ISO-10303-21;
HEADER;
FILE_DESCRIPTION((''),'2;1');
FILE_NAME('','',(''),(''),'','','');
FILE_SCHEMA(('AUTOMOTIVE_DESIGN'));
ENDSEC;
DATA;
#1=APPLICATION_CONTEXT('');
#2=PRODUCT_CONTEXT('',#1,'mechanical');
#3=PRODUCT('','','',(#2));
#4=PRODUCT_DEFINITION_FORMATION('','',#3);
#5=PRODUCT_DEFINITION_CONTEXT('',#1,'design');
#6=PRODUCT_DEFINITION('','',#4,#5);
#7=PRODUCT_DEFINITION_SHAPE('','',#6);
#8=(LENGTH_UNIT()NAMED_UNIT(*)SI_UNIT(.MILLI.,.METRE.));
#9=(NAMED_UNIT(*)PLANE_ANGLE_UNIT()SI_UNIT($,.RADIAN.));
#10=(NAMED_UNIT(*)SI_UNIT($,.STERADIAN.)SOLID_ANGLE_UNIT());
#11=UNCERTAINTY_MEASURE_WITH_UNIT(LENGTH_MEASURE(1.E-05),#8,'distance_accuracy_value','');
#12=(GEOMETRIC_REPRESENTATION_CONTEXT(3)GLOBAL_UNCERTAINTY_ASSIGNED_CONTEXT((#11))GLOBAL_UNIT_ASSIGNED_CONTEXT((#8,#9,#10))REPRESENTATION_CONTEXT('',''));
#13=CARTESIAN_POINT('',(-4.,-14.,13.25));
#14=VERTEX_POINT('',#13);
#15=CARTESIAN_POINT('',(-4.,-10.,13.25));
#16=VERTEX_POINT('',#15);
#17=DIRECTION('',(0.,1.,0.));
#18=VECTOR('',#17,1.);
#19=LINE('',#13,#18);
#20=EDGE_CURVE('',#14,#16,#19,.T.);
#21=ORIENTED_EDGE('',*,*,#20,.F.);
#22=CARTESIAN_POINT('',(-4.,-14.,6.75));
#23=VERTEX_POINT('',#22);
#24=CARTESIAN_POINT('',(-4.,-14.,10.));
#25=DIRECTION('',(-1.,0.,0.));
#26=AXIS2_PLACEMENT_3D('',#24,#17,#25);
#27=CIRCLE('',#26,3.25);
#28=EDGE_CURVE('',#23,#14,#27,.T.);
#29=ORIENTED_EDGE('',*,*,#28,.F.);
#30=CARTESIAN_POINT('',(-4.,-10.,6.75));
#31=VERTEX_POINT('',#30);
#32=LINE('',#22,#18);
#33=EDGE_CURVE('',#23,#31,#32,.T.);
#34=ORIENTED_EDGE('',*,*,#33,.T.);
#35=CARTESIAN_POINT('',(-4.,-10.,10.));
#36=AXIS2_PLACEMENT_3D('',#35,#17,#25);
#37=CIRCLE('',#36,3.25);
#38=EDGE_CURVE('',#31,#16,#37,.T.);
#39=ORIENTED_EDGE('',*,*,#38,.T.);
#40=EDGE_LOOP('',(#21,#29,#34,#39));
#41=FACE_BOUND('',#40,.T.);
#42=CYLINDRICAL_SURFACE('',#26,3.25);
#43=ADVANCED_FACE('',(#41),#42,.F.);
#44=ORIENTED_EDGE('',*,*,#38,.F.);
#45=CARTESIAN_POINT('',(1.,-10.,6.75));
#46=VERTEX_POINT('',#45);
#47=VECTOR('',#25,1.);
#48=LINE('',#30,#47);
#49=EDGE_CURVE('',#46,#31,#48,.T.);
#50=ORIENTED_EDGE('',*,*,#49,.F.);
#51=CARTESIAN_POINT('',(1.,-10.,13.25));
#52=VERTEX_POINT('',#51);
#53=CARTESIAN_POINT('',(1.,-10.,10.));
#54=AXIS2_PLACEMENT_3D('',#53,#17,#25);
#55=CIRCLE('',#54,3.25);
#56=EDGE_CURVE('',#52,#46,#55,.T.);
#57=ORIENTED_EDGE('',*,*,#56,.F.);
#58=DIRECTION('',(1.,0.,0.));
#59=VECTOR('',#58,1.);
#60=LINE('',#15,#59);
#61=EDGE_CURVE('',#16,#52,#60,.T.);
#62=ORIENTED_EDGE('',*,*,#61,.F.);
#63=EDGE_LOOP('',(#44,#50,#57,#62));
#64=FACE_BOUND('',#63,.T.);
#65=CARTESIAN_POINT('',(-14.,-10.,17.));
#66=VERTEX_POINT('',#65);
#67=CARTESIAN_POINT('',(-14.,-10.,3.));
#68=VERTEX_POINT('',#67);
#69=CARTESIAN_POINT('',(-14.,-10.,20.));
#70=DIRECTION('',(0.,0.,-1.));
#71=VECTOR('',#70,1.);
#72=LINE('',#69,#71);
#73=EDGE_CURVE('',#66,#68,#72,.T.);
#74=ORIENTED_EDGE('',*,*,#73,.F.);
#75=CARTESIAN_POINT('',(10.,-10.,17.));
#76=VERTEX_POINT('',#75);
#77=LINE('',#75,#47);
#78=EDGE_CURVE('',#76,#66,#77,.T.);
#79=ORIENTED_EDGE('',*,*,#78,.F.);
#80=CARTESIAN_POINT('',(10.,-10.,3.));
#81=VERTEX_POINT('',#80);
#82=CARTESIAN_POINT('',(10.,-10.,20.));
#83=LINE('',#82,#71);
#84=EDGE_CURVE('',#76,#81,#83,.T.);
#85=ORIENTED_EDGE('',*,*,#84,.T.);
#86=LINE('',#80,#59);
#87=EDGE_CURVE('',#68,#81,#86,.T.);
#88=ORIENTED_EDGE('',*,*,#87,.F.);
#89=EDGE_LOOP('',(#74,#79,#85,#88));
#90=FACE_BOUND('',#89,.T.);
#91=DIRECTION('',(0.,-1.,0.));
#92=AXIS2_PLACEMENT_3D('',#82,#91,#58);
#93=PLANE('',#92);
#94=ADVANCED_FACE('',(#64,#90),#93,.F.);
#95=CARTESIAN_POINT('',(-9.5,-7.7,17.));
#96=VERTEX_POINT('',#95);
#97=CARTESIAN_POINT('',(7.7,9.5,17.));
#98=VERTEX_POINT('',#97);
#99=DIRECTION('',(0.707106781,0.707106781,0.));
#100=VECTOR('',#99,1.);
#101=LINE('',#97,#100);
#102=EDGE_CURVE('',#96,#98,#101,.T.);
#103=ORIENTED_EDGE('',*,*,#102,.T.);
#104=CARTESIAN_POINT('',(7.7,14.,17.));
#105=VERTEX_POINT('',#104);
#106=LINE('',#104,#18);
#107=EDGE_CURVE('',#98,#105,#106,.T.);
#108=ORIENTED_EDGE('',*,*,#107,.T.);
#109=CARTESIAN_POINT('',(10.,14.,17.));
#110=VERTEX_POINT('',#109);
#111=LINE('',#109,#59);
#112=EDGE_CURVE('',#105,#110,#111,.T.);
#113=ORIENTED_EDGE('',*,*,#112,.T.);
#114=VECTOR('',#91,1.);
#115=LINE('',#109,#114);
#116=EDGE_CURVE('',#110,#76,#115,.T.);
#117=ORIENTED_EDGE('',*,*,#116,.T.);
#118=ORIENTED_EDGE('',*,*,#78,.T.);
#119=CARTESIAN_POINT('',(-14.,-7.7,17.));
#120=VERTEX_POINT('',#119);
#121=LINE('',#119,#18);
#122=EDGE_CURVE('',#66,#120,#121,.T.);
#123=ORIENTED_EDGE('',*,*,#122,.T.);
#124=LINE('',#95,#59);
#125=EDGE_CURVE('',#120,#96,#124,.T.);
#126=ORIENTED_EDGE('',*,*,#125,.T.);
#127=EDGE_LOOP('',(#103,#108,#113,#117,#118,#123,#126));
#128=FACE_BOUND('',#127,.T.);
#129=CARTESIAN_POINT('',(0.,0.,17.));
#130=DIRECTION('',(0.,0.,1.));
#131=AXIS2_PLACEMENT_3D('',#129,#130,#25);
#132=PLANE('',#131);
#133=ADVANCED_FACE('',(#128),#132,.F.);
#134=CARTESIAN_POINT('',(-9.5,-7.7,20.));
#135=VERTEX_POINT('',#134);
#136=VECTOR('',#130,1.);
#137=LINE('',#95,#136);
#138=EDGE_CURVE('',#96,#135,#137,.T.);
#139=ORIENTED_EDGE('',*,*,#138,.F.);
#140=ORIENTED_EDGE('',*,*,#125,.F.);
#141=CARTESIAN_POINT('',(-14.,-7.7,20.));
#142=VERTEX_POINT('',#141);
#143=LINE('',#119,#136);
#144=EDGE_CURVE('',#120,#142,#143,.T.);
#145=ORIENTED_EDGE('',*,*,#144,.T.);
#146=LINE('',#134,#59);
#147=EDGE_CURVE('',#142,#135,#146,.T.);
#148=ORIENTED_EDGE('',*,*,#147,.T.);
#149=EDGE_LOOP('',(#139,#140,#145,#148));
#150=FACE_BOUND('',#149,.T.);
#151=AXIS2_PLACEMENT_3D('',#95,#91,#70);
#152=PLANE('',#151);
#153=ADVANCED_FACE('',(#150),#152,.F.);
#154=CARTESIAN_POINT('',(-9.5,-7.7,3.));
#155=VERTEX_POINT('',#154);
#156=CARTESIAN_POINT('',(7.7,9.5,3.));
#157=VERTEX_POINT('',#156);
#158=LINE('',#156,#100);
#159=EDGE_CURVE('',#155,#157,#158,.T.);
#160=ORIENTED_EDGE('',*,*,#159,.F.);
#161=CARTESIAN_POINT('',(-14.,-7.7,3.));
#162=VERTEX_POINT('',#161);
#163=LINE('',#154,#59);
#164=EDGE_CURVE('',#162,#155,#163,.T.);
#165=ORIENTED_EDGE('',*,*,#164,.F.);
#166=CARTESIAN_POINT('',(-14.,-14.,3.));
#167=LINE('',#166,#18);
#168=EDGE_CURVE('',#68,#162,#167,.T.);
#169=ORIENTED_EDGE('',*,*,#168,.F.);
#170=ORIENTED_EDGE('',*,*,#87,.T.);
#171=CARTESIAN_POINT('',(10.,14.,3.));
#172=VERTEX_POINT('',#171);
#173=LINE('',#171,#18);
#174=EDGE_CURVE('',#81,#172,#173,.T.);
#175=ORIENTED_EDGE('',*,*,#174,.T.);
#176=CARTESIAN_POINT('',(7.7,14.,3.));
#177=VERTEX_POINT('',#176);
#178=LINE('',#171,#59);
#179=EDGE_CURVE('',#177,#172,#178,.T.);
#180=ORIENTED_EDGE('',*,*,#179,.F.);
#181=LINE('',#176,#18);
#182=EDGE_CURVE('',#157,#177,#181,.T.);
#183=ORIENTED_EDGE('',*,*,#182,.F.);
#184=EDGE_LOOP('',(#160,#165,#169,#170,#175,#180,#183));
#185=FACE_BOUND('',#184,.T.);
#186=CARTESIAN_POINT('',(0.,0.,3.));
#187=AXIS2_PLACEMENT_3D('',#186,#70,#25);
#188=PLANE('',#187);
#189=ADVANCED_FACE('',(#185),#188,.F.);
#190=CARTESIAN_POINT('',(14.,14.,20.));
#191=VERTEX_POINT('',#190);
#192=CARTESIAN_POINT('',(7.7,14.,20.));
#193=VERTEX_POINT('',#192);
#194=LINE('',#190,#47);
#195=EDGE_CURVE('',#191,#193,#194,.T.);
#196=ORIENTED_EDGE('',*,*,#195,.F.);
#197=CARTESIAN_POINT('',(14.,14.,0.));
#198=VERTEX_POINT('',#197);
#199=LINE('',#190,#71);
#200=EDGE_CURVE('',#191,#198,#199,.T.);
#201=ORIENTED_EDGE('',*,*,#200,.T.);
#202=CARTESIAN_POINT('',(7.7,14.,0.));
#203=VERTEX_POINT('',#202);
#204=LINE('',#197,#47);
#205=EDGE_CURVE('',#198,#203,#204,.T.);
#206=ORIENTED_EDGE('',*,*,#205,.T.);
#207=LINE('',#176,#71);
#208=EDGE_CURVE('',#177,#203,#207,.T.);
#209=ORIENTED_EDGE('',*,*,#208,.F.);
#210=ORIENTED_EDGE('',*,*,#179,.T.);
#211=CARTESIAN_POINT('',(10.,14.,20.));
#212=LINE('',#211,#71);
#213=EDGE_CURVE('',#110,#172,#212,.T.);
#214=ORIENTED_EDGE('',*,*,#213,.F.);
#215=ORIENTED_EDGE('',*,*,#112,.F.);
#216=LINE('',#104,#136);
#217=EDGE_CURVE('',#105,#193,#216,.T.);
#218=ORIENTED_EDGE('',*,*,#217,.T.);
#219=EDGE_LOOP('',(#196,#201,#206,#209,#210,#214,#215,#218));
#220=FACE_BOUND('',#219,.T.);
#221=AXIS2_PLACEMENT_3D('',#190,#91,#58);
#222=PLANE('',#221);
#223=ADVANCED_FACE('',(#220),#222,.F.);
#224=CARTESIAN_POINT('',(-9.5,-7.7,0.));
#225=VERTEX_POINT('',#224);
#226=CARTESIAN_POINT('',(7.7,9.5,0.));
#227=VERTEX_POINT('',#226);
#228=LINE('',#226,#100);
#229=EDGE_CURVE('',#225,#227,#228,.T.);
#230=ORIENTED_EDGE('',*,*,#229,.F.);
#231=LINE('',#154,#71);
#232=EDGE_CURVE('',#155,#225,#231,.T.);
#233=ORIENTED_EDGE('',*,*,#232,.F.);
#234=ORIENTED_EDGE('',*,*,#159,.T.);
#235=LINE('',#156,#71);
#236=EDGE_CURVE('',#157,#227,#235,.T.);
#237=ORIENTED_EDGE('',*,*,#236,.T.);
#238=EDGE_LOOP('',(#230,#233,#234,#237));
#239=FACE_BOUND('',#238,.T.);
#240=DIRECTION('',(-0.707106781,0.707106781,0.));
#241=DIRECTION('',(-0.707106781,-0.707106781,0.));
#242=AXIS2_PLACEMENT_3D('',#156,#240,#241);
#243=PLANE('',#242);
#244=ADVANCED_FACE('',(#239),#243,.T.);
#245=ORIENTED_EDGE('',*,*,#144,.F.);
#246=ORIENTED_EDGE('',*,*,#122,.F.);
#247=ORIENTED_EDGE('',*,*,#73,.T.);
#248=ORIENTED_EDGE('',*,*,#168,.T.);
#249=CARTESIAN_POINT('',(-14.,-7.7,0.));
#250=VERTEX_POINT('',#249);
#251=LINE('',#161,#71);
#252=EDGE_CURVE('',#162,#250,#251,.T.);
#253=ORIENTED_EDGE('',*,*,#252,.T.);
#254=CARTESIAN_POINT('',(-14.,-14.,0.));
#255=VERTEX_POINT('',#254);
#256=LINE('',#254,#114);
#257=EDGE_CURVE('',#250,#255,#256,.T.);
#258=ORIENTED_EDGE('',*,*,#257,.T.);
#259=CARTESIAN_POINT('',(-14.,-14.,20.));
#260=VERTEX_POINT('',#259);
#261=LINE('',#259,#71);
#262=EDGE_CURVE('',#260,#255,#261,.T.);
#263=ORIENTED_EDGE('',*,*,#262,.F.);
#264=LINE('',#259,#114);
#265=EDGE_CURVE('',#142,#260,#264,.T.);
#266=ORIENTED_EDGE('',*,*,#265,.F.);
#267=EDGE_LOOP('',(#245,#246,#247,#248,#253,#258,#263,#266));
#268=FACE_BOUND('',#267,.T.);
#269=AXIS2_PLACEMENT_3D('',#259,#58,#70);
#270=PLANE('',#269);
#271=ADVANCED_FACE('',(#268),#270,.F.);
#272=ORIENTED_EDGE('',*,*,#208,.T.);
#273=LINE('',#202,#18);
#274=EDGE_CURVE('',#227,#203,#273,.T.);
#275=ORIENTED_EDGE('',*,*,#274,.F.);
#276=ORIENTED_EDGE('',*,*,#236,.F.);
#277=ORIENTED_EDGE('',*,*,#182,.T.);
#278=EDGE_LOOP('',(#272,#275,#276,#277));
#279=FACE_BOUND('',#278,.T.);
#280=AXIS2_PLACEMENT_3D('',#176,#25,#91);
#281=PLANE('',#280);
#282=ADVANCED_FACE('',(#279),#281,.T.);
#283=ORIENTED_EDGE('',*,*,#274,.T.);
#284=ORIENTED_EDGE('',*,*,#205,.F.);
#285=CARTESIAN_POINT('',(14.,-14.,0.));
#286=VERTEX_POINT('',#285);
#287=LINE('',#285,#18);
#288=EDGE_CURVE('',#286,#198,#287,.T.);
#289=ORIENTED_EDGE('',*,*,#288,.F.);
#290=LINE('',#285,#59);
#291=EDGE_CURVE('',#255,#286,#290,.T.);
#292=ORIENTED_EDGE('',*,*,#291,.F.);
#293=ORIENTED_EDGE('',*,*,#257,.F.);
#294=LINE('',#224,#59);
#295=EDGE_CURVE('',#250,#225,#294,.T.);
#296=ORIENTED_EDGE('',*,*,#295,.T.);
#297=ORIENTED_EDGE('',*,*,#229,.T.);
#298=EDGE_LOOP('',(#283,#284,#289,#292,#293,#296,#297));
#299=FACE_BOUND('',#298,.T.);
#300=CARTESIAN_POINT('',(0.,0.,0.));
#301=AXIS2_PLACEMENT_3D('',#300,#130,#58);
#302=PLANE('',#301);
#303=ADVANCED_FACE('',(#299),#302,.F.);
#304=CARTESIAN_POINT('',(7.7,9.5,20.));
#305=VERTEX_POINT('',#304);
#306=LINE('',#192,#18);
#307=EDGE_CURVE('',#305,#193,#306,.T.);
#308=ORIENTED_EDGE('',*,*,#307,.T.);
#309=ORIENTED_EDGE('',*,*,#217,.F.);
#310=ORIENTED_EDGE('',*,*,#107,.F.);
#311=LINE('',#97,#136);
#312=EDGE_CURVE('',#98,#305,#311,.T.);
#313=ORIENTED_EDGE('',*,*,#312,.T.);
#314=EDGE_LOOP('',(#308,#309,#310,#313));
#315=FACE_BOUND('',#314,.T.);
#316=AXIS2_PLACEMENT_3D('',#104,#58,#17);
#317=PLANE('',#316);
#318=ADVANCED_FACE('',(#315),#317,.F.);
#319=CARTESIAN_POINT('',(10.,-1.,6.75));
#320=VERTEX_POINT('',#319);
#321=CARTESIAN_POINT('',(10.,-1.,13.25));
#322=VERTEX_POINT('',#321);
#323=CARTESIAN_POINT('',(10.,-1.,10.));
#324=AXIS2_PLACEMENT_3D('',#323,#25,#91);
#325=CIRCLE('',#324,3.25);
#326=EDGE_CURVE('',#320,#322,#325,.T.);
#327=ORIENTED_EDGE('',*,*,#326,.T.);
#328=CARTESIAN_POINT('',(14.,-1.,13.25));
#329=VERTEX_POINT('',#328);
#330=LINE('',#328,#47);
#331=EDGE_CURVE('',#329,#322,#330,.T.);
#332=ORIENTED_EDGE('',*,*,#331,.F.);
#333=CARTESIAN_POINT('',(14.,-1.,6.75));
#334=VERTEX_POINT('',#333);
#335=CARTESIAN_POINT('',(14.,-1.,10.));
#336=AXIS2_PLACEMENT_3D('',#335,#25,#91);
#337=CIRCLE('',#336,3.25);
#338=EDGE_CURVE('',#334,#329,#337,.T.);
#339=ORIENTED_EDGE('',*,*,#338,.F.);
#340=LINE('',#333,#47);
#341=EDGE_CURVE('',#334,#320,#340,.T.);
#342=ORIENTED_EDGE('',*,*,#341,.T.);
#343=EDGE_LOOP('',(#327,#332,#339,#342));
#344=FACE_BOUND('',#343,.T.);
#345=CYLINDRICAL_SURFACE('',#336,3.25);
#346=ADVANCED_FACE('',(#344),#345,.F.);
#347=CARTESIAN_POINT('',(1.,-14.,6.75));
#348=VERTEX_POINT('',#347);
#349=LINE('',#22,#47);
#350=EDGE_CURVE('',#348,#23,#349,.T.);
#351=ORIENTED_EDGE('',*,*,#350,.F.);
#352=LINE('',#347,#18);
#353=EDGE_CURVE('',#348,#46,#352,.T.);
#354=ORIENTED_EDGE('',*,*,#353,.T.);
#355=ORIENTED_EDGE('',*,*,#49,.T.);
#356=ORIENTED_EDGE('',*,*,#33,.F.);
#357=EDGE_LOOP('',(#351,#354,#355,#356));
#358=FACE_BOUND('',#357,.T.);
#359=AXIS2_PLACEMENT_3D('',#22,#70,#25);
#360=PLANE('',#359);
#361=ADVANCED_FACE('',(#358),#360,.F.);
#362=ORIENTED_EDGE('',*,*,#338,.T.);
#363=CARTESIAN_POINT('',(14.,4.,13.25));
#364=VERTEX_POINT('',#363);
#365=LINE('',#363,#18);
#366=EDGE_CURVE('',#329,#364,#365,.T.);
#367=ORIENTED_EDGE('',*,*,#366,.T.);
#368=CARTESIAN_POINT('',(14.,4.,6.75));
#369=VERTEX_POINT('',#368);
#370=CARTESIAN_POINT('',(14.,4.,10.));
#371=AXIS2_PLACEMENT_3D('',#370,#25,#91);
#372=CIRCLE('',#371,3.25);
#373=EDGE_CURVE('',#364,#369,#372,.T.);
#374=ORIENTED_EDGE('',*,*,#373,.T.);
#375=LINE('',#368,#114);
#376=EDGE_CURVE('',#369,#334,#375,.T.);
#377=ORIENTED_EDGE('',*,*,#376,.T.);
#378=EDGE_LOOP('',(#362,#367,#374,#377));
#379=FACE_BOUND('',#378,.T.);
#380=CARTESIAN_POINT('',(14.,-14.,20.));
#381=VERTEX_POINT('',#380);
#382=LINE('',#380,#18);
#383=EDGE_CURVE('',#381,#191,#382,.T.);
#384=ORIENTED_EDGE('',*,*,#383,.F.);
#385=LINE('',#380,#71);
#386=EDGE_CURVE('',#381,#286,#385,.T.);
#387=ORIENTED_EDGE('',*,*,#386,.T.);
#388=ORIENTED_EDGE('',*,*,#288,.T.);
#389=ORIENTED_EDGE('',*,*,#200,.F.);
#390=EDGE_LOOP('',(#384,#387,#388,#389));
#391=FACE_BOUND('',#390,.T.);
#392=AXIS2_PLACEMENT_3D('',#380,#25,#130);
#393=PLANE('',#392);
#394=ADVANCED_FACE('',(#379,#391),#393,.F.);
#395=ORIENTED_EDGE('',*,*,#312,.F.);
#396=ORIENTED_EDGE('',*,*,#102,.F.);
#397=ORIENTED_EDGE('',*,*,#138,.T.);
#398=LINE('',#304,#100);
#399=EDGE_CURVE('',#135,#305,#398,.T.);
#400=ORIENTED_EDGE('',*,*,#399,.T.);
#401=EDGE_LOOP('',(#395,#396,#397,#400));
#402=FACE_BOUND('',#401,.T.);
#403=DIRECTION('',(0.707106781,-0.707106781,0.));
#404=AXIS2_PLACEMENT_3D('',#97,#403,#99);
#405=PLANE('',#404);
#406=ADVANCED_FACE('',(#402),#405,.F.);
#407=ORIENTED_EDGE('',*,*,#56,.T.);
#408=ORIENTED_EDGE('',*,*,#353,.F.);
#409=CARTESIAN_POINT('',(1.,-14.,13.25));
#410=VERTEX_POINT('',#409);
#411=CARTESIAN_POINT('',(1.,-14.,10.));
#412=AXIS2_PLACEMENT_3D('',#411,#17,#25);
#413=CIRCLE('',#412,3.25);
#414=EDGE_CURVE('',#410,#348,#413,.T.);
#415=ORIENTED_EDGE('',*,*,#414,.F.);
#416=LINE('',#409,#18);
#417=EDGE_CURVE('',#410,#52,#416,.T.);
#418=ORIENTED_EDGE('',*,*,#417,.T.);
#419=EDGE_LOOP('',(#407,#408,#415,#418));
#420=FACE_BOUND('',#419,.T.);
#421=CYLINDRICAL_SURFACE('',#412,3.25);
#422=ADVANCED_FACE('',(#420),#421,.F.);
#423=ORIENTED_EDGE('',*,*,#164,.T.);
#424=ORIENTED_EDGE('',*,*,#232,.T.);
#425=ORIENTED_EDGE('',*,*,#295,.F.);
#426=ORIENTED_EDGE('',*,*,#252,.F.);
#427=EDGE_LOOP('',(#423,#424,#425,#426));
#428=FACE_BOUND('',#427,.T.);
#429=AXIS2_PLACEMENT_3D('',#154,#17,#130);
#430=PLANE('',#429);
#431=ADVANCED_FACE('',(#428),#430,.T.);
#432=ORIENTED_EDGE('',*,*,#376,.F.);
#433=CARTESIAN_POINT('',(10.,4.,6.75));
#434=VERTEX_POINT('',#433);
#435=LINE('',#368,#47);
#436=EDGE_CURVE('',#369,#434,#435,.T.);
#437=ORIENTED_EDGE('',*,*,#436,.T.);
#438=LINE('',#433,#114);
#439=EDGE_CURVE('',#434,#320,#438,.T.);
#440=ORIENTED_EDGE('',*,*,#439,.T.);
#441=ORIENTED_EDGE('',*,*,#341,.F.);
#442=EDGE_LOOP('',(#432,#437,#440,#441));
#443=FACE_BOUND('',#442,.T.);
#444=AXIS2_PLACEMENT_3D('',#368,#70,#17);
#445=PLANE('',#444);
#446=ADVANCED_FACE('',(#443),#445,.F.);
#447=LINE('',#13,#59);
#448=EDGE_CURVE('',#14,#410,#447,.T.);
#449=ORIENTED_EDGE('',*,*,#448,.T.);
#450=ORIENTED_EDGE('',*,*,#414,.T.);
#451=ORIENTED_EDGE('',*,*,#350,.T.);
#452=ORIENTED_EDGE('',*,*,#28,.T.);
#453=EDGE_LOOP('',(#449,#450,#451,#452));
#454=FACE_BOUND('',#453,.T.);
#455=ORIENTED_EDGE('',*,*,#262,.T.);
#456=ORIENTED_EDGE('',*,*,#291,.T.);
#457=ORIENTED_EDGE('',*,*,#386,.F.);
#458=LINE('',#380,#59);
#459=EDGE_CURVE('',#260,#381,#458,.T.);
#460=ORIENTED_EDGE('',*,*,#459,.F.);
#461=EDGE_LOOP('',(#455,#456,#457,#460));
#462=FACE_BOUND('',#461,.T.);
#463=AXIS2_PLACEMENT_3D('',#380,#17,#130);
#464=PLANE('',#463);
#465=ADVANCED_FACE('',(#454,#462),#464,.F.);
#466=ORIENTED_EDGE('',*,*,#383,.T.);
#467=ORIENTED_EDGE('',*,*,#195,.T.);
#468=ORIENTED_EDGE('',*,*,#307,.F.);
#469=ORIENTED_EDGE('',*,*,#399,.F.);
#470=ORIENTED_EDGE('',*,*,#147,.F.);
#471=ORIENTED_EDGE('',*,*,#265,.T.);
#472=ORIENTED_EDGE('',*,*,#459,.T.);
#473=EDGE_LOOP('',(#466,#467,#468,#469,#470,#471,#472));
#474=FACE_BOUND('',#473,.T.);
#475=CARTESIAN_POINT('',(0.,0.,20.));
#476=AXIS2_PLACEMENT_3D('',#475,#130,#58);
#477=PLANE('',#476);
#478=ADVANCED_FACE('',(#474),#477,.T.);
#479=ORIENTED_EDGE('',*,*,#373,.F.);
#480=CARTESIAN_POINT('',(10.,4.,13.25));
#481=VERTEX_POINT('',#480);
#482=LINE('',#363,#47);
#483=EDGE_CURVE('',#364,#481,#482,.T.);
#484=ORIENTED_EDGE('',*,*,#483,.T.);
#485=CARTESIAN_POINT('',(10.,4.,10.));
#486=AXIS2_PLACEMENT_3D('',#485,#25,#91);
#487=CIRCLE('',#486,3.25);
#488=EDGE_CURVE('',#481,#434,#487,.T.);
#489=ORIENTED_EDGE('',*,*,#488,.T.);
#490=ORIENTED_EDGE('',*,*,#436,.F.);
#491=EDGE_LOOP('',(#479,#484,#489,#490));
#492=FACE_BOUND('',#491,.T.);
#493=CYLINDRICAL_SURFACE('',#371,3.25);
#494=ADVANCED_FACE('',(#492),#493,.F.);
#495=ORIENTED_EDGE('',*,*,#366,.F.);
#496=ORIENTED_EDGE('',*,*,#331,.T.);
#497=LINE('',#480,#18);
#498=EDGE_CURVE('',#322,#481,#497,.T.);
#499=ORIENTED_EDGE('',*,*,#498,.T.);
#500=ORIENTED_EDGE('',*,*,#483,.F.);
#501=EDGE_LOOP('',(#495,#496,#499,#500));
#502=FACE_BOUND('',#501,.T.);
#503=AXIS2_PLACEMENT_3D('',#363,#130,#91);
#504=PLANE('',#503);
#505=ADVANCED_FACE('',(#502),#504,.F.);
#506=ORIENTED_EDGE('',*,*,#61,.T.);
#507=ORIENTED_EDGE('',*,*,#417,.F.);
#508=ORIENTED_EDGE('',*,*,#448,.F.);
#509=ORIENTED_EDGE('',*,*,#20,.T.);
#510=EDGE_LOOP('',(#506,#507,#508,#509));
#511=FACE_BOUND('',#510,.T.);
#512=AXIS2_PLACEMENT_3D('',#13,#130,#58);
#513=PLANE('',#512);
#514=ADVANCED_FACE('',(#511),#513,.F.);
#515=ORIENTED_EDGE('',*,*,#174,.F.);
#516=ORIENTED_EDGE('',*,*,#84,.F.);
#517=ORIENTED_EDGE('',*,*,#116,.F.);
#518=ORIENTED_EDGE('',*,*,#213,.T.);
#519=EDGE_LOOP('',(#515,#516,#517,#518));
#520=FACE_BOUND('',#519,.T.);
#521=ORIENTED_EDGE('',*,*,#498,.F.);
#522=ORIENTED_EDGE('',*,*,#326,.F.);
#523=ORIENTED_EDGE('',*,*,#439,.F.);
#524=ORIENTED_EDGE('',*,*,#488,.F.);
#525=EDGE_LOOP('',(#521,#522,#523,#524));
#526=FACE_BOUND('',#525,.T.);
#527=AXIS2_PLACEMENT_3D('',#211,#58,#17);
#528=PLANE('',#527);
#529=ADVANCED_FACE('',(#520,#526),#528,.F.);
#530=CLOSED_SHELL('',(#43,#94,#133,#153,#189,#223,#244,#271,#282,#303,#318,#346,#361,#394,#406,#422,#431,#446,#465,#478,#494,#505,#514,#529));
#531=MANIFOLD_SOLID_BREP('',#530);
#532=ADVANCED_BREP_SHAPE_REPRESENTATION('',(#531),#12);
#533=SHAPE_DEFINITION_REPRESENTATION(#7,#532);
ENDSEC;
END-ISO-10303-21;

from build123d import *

# Parameters (mm, degrees)
EXTRUDE_1_DEPTH     = 20
EXTRUDE_2_DEPTH     = 3
CUT_EXTRUDE_2_DEPTH = 35.234485537
CUT_EXTRUDE_3_DEPTH = 35.234485537


with BuildPart() as part:
    # 草图1 → 凸台-拉伸1 (new body)
    with BuildSketch(Plane.XY):
        Polygon((14, -14), (-14, -14), (-14, -10), (10, -10), (10, 14), (14, 14), align=None)
    extrude(amount=EXTRUDE_1_DEPTH)

    # 草图3 → 凸台-拉伸2 (add)
    with BuildSketch(Plane(origin=(0, 0, 0), x_dir=(-1, 0, 0), z_dir=(0, 0, -1))):
        Polygon((-10, 14), (-7.7, 14), (-7.7, 9.5), (9.5, -7.7), (14, -7.7), (14, -10), (14, -14), (-14, -14), (-14, 14), align=None)
    extrude_2 = extrude(amount=-EXTRUDE_2_DEPTH)

    # 镜向2: 凸台-拉伸2 across plane
    add(extrude_2.mirror(Plane.XY.offset(10)))

    # 草图6 → 切除-拉伸2 (cut, through all)
    with BuildSketch(Plane.ZY.offset(-10)):
        with BuildLine():
            Line((13.25, 4), (13.25, -1))
            ThreePointArc((13.25, -1), (10, -4.25), (6.75, -1))
            Line((6.75, -1), (6.75, 4))
            ThreePointArc((6.75, 4), (10, 7.25), (13.25, 4))
        make_face()
    extrude(amount=-CUT_EXTRUDE_2_DEPTH, mode=Mode.SUBTRACT)

    # 草图8 → 切除-拉伸3 (cut, through all)
    with BuildSketch(Plane(origin=(0, -10, 0), x_dir=(1, 0, 0), z_dir=(0, 1, 0))):
        with BuildLine():
            Line((-4, -6.75), (1, -6.75))
            ThreePointArc((1, -6.75), (4.25, -10), (1, -13.25))
            Line((1, -13.25), (-4, -13.25))
            ThreePointArc((-4, -13.25), (-7.25, -10), (-4, -6.75))
        make_face()
    extrude(amount=-CUT_EXTRUDE_3_DEPTH, mode=Mode.SUBTRACT)


solid = part.part
